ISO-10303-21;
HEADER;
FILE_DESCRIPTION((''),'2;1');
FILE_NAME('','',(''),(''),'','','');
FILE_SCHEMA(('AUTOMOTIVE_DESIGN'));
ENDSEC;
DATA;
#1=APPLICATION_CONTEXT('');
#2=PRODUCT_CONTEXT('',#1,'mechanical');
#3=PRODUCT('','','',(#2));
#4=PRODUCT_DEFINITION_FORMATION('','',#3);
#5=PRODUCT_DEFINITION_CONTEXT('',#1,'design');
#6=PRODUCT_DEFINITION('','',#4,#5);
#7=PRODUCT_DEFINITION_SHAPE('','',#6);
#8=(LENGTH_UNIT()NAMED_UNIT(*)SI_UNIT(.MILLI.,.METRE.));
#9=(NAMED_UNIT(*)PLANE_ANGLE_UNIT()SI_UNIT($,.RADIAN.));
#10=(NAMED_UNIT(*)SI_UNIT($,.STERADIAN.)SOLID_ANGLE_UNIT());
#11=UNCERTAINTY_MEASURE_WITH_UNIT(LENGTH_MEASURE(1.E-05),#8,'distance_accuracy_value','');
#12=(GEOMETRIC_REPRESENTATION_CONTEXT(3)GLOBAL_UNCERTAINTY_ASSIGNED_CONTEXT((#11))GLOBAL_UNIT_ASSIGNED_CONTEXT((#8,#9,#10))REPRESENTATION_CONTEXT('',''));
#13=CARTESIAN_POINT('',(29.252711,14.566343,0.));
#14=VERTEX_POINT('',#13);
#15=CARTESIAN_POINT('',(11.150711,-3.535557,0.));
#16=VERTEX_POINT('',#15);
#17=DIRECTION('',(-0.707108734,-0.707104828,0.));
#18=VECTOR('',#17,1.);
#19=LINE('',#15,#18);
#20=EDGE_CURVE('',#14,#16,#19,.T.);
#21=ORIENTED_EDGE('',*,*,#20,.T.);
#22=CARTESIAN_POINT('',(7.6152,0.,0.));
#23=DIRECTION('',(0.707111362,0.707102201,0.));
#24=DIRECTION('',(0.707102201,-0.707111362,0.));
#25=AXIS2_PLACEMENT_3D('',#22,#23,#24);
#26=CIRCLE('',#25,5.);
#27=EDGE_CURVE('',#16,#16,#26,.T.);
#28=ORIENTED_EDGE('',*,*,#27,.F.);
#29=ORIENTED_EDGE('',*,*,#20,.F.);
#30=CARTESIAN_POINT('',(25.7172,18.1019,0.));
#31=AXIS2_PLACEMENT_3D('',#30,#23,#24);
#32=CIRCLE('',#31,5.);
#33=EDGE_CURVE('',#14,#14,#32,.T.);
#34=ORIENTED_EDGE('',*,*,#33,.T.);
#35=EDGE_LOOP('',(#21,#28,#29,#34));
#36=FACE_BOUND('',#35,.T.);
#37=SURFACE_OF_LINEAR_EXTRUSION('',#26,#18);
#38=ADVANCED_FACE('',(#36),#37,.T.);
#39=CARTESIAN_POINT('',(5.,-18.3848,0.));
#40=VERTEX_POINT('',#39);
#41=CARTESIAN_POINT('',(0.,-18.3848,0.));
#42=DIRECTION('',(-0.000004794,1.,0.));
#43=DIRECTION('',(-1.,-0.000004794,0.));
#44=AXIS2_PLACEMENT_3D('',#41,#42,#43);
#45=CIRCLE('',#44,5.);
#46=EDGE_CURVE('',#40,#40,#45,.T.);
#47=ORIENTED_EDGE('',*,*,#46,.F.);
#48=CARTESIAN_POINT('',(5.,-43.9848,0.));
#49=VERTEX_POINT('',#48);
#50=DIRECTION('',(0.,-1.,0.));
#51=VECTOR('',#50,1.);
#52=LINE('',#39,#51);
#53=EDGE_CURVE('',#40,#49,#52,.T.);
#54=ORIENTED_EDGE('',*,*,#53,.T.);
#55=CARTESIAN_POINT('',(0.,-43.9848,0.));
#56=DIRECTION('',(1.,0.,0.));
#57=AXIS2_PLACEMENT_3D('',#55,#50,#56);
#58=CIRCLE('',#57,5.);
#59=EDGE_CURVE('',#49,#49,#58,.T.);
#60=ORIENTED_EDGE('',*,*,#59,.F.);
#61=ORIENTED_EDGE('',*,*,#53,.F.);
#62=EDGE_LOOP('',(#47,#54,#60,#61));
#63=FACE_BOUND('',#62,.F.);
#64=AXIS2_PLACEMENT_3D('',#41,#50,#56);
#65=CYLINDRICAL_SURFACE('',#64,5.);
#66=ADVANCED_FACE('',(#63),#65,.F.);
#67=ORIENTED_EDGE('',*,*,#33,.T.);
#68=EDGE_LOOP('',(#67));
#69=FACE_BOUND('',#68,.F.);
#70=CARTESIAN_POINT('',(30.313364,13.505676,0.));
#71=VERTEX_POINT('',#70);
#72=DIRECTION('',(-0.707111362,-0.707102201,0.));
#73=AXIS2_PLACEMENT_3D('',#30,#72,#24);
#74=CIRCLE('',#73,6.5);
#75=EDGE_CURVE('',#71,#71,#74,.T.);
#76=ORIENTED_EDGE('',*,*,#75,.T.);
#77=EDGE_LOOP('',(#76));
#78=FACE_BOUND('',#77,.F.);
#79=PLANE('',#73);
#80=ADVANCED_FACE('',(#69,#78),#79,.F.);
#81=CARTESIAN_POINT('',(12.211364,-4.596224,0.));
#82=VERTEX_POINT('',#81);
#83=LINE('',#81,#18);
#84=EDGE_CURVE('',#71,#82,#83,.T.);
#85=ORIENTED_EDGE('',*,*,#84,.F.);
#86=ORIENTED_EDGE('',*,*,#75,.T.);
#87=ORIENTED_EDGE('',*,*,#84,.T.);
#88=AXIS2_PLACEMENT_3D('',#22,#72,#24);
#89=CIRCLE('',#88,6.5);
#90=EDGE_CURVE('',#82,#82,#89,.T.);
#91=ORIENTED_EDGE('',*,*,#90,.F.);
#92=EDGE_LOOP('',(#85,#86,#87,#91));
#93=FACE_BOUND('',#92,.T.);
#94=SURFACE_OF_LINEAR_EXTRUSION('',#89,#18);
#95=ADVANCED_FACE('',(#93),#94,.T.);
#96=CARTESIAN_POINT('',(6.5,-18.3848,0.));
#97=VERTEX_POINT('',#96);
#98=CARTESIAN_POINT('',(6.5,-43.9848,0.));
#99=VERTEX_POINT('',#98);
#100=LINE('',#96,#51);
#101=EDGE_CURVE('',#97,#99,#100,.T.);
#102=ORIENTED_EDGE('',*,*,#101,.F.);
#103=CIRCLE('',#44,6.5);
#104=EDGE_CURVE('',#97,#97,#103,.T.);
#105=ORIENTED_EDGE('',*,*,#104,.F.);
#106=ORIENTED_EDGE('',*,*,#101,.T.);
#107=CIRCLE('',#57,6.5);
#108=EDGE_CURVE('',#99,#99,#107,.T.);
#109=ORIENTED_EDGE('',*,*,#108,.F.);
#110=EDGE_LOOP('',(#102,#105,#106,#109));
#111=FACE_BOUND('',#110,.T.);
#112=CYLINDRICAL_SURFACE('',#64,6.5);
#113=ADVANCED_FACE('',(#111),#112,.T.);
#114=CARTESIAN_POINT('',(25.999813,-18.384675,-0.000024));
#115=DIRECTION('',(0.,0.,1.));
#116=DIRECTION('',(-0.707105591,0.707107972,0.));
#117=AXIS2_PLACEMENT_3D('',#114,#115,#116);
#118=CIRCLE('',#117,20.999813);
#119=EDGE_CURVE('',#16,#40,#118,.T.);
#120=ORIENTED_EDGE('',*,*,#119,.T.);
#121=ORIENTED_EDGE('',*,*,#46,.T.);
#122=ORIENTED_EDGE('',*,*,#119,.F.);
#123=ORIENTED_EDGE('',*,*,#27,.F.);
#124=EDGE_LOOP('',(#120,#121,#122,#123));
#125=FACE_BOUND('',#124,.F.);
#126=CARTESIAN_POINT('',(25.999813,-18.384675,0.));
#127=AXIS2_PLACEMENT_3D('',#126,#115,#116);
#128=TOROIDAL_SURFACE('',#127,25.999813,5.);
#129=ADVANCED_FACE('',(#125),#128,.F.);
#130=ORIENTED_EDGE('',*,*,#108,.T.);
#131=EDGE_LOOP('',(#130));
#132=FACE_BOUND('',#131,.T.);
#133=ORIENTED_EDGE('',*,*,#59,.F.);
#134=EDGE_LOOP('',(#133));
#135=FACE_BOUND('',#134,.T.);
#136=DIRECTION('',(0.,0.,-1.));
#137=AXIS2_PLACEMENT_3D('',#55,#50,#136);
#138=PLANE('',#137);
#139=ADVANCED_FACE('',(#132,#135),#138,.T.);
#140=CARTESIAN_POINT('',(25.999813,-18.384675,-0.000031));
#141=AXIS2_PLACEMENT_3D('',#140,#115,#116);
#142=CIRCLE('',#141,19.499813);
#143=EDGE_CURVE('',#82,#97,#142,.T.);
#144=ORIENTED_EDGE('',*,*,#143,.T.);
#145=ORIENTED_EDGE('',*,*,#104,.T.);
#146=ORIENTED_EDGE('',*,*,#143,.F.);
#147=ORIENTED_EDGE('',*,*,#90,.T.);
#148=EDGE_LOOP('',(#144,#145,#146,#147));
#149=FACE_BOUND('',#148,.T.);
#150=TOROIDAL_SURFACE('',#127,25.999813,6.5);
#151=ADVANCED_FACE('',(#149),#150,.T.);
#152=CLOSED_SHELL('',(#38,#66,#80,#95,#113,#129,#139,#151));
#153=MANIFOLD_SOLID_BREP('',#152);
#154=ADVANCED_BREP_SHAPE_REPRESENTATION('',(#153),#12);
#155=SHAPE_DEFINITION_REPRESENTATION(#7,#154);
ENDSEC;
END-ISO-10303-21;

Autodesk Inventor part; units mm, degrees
ref_plane "YZ Plane" through (0, 0, 0) normal (1, 0, 0) x (0, 1, 0)
ref_plane "XZ Plane" through (0, 0, 0) normal (0, 1, 0) x (-1, 0, 0)
sketch "Szkic6" plane through (0, 0, 0) normal (0, 0, 1) x (1, 0, 0)
  line L0 (-29.6067, 0) -> (35.2678, 0) construction
  line L1 (0, 42.3419) -> (0, -58.3726) construction
  arc A0 (7.6152, 0) -> (0, -18.3848) centre (26, -18.3848) ccw
  line L2 (0, -18.3848) -> (26, -18.3848) construction
  line L3 (26, -18.3848) -> (-20.3389, 27.9541) construction
  line L4 (7.6152, 0) -> (25.7172, 18.1019)
  line L5 (0, -18.3848) -> (0, -43.9848)
  point P0 (0, 0)
  dimension "d24" = 90
  dimension "d31" = 90
  dimension "d36" = 55
  dimension "d37" = 55
ref_plane "Płaszczyzna konstrukcyjna2" through (0, -18.3848, 0) normal (0, -1, 0) x (1, 0, 0)
sketch "Szkic8" plane through (0, -18.3848, 0) normal (0, -1, 0) x (1, 0, 0)
  circle A0 centre (0, 0) radius 6.5
  circle A1 centre (0, 0) radius 5
  dimension "d32" = 85
  dimension "d33" = 2
sweep "Przeciągnięcie2" add profiles "Szkic8" path "Szkic6"
equation "\"d32\" = OD"
equation "\"d33\" = THK"
equation "\"d24\" = R"
equation "\"d31\" = KAT"
equation "\"d36\" = PROSTKA"
equation "\"d37\" = PROSTKA"
equation "\"SzerokośćGięciaPodcięcia\" = Grubość"
equation "\"RozmiarPodcięciaNarożnika\" = 4 * Grubość"
equation "\"PromieńPrzejścia\" = PromieńGięcia"
equation "\"Rozmiar_promienia_Jacobiego\" = PromieńGięcia"
equation "\"Wielk_odstępu\" = Grubość"
equation "\"d2\" = PromieńGięcia"
equation "\"d23\" = PromieńGięcia"
equation "\"OD\" = 85"
equation "\"THK\" = 2"
equation "\"KAT\" = 90deg"
equation "\"PROSTKA\" = 55"
equation "\"R\" = 90"
equation "\"Grubość\" = 1.5"
equation "\"PromieńGięcia\" = 3"
properties part number "Kolano 90° ø85x2 R90" material "304L"
